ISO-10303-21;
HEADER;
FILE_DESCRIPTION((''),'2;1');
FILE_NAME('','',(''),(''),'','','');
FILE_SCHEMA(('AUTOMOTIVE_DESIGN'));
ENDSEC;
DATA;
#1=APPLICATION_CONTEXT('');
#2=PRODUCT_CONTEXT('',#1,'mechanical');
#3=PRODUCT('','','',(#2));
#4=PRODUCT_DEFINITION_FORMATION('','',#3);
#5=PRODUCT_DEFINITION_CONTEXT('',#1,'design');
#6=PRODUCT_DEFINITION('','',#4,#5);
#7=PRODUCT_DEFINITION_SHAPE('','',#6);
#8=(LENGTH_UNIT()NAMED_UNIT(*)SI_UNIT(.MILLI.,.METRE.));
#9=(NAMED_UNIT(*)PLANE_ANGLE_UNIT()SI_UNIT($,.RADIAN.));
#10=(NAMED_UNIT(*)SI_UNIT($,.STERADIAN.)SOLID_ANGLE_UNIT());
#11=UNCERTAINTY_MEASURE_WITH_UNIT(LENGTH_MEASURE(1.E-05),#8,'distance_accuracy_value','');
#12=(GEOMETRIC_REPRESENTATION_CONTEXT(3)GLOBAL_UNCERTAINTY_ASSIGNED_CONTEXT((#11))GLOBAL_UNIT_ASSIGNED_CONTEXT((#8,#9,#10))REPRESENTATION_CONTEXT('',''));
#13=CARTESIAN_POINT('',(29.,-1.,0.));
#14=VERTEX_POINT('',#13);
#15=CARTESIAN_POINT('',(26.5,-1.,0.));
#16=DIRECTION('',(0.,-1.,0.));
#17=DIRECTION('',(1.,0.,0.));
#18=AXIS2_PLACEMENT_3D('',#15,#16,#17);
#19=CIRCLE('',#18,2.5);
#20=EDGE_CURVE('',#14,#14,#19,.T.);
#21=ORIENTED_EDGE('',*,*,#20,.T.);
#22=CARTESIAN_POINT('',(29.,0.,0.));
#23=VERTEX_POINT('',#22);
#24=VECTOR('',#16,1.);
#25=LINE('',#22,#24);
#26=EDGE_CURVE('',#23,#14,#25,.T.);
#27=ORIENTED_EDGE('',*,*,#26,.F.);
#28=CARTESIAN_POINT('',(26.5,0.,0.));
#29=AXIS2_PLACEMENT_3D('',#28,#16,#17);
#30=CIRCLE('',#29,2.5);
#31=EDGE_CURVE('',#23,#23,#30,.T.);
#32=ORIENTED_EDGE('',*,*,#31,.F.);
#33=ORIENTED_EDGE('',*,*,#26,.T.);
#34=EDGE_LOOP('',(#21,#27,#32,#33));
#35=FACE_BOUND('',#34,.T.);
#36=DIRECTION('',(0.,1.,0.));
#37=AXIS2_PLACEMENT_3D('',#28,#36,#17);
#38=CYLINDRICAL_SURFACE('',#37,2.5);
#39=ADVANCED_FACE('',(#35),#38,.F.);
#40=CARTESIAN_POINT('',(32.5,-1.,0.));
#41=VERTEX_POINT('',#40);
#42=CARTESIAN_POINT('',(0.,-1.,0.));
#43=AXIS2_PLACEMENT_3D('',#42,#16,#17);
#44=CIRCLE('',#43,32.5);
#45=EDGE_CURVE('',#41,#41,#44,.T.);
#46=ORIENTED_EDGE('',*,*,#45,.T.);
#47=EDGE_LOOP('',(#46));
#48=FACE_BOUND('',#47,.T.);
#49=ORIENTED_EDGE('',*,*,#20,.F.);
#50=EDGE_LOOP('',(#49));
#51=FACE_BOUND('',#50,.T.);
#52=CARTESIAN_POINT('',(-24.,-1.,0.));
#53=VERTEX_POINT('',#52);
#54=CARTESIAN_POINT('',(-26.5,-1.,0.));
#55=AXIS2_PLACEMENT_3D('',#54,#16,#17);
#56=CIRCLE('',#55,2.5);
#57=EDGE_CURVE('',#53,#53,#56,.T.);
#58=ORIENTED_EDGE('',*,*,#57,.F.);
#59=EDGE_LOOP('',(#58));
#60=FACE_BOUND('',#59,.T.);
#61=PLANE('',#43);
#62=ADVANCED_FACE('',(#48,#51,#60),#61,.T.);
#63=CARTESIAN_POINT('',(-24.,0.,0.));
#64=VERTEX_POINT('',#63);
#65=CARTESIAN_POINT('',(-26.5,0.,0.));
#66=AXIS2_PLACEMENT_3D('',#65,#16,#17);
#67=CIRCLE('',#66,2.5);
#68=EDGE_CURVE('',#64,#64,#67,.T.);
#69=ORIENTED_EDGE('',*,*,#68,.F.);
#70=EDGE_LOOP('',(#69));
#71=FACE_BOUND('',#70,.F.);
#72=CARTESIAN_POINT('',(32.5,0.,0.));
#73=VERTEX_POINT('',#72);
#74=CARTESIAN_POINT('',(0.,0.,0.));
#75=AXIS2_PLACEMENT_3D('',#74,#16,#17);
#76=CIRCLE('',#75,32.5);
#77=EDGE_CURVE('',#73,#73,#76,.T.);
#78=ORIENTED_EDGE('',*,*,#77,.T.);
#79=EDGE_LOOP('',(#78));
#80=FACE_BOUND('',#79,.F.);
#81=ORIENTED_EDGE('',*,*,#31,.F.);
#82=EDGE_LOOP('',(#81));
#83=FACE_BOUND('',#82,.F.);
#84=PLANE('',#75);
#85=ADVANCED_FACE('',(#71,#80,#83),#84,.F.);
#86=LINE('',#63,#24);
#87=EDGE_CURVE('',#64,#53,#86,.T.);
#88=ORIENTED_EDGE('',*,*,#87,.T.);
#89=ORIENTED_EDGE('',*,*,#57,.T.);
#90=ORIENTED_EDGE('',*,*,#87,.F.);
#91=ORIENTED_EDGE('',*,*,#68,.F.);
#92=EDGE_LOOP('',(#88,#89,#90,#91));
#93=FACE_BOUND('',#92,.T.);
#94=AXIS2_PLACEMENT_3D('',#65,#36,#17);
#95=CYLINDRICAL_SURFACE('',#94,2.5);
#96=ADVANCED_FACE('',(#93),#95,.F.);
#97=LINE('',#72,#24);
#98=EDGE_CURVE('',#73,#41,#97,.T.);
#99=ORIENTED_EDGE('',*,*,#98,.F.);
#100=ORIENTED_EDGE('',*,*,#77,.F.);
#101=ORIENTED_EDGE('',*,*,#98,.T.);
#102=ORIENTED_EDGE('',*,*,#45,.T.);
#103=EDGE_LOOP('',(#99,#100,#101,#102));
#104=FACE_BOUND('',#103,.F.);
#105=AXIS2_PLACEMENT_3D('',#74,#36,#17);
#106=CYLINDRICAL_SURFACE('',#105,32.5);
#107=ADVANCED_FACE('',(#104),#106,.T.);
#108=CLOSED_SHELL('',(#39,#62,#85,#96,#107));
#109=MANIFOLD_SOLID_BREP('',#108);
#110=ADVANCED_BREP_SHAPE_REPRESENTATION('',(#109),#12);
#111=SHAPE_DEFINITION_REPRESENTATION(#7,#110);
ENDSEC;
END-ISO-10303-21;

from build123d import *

# Parameters (mm, degrees)
F0_R     = 32.5
F0_R_2   = 2.5
F1_DEPTH = 1


with BuildPart() as f1:
    # F0 (on Front) → F1 (new body)
    with BuildSketch(Plane.XZ):
        Circle(F0_R)
        with Locations((-26.5, 0)):
            Circle(F0_R_2, mode=Mode.SUBTRACT)
        with Locations((26.5, 0)):
            Circle(F0_R_2, mode=Mode.SUBTRACT)
    extrude(amount=F1_DEPTH)


solid = f1.part
